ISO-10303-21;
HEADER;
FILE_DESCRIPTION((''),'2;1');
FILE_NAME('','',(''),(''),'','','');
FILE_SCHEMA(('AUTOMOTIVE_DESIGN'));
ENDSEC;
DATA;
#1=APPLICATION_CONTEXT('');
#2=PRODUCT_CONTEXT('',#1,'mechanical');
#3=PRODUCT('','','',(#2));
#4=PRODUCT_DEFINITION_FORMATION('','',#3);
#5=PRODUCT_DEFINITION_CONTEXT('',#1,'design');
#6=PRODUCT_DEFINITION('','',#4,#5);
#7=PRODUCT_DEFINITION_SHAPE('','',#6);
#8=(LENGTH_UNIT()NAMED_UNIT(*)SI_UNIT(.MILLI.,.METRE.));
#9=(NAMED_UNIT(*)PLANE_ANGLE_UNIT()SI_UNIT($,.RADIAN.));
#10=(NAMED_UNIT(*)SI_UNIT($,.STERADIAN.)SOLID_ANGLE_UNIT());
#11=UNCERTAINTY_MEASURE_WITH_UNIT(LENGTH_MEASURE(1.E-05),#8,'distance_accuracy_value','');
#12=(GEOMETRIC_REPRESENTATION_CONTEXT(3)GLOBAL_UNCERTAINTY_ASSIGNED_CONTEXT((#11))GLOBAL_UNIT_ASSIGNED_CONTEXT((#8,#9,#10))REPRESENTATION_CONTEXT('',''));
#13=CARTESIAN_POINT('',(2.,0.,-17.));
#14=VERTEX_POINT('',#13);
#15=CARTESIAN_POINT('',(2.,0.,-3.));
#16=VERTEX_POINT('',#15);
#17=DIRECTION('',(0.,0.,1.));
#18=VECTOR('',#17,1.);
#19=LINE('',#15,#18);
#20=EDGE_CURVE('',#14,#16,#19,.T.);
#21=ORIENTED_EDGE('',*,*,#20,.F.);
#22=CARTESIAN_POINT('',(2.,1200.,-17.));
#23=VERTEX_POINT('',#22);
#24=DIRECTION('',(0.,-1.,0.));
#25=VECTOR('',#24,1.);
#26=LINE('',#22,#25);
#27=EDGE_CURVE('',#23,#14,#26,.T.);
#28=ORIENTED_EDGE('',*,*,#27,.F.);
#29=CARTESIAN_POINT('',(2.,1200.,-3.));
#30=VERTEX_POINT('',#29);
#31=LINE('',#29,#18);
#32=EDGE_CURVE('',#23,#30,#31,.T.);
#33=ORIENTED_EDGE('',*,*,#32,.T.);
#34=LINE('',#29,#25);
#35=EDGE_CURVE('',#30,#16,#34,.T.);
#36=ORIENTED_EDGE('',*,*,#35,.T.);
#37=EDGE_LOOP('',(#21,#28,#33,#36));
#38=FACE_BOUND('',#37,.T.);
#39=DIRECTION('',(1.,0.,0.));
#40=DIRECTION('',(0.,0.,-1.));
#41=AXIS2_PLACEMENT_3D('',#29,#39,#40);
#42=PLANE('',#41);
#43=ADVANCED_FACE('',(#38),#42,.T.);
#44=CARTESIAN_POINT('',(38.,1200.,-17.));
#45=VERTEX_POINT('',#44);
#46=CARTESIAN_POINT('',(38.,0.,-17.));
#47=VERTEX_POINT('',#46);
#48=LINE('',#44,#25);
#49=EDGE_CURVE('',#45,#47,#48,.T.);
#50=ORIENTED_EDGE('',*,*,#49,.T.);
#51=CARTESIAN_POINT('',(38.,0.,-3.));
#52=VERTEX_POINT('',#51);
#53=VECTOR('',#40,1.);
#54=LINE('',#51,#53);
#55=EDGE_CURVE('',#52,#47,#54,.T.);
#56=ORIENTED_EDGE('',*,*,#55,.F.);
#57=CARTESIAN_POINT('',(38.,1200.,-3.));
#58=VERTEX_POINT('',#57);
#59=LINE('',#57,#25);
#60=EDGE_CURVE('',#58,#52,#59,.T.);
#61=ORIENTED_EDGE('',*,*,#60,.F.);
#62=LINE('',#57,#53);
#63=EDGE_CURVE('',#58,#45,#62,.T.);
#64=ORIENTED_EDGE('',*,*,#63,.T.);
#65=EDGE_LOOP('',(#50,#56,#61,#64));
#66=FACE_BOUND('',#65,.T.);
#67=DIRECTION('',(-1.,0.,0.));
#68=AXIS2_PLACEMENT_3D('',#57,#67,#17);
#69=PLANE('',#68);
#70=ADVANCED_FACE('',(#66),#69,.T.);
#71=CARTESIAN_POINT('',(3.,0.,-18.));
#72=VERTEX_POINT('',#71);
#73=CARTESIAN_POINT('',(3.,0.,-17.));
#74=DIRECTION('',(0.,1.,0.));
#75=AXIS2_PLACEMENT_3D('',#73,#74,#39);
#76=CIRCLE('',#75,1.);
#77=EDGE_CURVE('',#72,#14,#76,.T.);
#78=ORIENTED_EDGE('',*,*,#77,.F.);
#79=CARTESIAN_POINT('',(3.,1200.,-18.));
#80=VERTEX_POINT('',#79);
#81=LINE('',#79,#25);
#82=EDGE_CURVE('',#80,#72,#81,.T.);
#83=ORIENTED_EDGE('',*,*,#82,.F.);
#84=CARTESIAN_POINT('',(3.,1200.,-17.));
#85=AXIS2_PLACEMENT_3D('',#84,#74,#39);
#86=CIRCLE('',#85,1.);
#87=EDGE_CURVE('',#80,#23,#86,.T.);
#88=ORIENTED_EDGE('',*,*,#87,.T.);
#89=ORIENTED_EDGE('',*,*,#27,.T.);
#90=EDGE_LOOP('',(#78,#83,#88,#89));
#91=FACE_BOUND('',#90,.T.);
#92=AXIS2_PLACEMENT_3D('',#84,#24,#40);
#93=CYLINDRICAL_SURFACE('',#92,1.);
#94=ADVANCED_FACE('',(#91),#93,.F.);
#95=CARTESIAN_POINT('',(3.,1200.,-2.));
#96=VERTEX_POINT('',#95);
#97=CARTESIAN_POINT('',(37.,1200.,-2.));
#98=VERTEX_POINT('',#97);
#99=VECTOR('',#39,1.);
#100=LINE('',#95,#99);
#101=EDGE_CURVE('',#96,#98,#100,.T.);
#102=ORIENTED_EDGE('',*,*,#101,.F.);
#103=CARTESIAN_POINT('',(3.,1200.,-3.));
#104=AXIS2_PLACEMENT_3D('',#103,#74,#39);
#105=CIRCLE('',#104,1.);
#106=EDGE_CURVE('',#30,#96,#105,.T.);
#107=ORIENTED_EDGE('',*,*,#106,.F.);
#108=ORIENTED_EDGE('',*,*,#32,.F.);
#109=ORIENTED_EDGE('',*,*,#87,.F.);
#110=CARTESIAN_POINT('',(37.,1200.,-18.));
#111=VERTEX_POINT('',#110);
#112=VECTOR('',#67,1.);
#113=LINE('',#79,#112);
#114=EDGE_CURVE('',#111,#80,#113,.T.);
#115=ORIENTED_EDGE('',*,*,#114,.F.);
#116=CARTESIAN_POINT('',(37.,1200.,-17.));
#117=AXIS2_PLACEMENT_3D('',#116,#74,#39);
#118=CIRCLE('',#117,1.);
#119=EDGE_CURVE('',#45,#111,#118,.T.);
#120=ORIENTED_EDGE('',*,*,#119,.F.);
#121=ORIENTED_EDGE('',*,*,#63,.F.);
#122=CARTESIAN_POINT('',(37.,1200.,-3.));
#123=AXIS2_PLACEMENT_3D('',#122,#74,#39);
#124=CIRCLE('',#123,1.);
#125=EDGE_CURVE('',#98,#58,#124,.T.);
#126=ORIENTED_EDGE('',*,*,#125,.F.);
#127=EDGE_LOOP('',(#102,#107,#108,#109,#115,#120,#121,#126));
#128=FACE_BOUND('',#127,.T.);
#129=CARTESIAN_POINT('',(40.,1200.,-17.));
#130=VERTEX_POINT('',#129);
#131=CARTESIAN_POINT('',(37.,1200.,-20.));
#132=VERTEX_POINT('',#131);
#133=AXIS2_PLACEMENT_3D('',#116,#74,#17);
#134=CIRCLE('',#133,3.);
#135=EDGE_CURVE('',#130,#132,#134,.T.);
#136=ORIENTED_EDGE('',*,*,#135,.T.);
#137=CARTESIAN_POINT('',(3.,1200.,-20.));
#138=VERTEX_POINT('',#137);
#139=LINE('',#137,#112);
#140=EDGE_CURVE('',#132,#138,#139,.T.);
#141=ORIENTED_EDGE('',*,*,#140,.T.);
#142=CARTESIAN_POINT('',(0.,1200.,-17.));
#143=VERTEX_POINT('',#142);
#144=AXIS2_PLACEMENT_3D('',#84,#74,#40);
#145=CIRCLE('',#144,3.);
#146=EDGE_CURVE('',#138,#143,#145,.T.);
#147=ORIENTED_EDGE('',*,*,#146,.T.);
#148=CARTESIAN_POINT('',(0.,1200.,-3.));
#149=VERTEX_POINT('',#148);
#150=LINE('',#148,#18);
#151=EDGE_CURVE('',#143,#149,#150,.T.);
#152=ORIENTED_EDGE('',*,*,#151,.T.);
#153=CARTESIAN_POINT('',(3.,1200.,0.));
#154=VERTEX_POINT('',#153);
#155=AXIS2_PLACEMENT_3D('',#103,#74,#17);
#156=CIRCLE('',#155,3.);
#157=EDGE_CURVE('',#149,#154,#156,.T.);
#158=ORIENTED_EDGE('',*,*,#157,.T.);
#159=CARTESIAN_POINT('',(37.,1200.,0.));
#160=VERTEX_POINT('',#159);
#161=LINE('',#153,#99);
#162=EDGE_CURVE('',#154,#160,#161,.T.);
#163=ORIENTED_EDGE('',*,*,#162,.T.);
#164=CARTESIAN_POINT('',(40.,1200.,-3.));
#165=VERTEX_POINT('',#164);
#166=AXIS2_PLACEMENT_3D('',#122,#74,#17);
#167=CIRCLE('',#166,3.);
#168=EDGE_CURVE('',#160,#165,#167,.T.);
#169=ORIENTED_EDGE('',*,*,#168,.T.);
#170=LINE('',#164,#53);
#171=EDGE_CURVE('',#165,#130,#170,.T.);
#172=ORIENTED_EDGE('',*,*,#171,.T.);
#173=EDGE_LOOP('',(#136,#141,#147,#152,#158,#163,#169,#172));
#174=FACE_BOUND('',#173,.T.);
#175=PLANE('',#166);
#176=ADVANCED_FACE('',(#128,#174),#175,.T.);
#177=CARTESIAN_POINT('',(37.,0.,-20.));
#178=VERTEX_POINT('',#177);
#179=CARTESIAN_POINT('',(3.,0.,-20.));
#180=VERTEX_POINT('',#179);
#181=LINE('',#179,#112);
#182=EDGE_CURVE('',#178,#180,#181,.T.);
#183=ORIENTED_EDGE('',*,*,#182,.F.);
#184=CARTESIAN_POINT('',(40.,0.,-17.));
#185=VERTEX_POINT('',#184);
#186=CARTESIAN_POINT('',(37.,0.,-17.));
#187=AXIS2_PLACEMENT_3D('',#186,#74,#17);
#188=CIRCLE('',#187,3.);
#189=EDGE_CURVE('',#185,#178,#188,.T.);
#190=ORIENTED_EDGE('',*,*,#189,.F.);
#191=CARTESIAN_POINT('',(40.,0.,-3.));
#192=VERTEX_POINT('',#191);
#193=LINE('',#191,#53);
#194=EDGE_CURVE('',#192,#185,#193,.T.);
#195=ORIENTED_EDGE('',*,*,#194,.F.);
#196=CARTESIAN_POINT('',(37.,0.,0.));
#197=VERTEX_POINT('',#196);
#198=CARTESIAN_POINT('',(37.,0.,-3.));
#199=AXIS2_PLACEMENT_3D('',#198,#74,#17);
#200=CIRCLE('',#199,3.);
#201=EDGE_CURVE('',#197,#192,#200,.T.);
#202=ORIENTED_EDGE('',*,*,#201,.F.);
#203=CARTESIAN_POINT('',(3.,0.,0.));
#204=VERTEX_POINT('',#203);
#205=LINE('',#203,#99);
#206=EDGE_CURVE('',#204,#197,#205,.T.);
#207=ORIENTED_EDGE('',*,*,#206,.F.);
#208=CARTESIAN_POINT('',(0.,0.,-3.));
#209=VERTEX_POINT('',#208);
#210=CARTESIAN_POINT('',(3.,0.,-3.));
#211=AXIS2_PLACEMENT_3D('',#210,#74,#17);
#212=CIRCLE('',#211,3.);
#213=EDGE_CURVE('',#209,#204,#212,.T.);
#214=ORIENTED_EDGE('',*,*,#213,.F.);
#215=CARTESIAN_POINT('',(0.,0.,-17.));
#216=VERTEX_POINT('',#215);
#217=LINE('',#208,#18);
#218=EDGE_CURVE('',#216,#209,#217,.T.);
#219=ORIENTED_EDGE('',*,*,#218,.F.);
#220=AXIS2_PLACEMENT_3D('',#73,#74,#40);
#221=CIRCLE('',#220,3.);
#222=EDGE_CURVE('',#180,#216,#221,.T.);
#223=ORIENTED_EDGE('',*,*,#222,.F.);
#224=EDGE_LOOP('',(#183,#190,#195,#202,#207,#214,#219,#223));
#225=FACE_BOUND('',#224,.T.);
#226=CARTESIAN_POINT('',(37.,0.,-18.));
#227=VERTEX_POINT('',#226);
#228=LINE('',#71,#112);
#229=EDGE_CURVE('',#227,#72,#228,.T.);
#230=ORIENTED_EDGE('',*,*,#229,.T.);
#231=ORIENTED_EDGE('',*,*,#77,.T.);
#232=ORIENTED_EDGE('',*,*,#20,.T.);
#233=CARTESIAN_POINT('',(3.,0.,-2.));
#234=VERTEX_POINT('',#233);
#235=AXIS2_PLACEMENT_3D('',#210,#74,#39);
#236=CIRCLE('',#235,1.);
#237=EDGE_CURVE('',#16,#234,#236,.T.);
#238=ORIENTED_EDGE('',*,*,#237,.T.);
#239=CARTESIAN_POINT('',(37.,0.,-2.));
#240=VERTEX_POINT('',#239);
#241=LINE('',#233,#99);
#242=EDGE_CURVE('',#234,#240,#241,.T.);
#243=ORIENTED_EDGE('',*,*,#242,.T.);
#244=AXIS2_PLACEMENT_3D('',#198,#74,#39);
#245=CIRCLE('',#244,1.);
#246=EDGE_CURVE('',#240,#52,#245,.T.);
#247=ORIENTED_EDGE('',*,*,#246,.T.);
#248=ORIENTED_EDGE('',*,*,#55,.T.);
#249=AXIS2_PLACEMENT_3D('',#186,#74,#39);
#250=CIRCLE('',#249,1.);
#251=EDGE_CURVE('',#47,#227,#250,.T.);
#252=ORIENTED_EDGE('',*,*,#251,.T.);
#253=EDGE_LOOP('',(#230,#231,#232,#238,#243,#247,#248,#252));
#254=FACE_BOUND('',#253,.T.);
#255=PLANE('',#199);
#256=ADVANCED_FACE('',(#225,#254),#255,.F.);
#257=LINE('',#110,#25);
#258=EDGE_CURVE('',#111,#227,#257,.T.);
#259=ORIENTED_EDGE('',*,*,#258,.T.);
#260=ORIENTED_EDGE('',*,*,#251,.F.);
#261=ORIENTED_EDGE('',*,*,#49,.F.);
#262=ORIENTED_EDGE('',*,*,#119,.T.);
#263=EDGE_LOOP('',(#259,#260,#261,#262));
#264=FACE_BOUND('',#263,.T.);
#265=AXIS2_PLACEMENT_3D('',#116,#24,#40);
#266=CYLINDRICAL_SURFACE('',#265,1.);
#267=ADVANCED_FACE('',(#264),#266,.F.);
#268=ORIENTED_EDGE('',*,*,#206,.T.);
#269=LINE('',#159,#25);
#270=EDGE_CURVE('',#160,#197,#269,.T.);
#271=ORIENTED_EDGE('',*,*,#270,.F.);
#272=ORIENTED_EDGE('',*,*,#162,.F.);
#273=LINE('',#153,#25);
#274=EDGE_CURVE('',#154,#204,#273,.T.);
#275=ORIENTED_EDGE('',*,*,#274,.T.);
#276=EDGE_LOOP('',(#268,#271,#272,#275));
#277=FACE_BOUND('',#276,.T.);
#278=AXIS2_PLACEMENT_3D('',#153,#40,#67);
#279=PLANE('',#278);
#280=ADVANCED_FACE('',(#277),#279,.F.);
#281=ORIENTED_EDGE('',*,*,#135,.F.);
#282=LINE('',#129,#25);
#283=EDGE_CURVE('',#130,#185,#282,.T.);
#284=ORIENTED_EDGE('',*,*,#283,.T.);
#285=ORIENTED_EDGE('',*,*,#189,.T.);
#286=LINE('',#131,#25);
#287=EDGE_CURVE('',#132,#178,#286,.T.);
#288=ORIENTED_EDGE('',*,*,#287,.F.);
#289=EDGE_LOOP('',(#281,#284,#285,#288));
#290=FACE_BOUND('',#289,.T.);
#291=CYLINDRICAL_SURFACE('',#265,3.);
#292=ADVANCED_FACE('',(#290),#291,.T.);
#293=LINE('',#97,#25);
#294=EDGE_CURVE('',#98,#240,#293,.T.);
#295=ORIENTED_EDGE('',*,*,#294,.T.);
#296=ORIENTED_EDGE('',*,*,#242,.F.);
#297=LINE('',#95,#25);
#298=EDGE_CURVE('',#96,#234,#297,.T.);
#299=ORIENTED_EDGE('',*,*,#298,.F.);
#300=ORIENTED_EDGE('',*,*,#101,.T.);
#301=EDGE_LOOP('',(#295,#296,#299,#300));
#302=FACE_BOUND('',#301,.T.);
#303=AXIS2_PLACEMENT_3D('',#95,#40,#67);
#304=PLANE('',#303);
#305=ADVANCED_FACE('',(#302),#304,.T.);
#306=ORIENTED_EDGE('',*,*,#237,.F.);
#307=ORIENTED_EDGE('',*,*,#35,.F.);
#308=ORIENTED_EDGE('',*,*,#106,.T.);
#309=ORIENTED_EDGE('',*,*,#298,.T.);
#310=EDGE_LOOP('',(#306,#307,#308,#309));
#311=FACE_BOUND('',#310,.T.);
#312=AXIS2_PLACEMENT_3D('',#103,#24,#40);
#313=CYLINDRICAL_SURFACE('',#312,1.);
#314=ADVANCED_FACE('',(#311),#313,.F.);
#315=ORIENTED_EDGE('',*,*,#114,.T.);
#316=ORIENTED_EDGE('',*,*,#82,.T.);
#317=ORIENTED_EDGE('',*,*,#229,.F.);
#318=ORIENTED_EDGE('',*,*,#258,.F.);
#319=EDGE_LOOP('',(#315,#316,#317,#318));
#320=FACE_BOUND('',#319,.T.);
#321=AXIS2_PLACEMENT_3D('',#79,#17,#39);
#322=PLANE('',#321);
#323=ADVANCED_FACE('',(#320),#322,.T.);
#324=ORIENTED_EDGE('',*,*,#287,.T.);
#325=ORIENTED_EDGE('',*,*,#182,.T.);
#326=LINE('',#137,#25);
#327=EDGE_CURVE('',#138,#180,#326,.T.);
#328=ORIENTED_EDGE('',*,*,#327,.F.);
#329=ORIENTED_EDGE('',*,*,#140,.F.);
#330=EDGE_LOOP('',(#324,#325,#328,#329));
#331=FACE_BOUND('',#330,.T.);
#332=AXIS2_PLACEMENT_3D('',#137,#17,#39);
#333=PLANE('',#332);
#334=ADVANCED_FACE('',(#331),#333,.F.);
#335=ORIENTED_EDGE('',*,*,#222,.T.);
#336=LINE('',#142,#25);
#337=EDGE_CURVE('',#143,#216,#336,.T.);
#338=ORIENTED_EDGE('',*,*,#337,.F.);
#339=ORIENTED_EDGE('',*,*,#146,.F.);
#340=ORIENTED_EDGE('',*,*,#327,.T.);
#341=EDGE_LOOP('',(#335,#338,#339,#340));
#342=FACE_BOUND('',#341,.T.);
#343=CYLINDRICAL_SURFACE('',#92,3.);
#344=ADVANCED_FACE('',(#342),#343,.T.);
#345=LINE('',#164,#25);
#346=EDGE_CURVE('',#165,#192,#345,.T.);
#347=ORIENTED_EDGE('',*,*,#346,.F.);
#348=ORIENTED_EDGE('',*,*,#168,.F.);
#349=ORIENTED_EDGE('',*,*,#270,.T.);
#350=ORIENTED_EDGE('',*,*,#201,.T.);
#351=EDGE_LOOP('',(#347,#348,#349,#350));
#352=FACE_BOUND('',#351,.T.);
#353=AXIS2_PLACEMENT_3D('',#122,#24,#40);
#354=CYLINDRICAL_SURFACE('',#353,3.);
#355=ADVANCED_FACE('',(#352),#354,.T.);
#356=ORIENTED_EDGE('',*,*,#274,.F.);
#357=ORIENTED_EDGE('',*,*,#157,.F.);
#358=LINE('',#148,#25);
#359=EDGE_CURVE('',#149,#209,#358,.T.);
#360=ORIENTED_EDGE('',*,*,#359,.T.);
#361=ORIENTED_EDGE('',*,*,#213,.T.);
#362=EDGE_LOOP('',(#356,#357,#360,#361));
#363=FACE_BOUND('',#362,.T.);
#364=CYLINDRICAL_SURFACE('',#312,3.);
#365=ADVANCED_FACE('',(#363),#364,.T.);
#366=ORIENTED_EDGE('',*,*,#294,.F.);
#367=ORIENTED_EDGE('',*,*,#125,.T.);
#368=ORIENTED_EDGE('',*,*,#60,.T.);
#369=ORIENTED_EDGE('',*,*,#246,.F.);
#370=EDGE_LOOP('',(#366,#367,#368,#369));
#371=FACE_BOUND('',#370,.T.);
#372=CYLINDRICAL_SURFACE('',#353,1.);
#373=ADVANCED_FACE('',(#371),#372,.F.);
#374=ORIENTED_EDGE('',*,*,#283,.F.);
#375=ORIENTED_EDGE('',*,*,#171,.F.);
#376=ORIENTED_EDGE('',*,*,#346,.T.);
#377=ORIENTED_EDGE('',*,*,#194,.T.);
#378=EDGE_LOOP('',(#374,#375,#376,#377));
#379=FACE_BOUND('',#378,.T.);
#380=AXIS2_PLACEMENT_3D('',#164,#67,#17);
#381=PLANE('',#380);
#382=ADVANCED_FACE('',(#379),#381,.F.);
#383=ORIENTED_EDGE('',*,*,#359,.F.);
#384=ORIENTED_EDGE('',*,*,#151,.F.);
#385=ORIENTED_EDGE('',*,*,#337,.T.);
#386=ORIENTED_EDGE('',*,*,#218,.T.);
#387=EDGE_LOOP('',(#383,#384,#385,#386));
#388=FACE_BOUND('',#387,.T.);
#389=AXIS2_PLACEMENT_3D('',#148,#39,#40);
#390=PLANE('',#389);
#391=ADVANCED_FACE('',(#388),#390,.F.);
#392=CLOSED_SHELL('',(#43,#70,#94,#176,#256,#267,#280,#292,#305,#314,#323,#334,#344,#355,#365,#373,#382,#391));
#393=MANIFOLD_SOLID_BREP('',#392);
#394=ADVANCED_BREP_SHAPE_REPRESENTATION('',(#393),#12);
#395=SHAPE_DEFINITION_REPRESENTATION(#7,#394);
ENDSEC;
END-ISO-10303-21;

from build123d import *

# Parameters (mm, degrees)
EXTRUDE_1_DEPTH = 1200


with BuildPart() as part:
    # Эскиз1 → Вытянуть-Тонкостенный1 (new body)
    with BuildSketch(Plane(origin=(0, 0, 0), x_dir=(1, 0, 0), z_dir=(0, 1, 0))):
        with BuildLine():
            Line((3, 0), (37, 0))
            ThreePointArc((37, 0), (39.121320344, 0.878679656), (40, 3))
            Line((40, 3), (40, 17))
            ThreePointArc((40, 17), (39.121320344, 19.121320344), (37, 20))
            Line((37, 20), (3, 20))
            ThreePointArc((3, 20), (0.878679656, 19.121320344), (0, 17))
            Line((0, 17), (0, 3))
            ThreePointArc((0, 3), (0.878679656, 0.878679656), (3, 0))
        make_face()
        with BuildLine():
            Line((3, 2), (37, 2))
            ThreePointArc((37, 2), (37.707106781, 2.292893219), (38, 3))
            Line((38, 3), (38, 17))
            ThreePointArc((38, 17), (37.707106781, 17.707106781), (37, 18))
            Line((37, 18), (3, 18))
            ThreePointArc((3, 18), (2.292893219, 17.707106781), (2, 17))
            Line((2, 17), (2, 3))
            ThreePointArc((2, 3), (2.292893219, 2.292893219), (3, 2))
        make_face(mode=Mode.SUBTRACT)
    extrude(amount=EXTRUDE_1_DEPTH)


solid = part.part
